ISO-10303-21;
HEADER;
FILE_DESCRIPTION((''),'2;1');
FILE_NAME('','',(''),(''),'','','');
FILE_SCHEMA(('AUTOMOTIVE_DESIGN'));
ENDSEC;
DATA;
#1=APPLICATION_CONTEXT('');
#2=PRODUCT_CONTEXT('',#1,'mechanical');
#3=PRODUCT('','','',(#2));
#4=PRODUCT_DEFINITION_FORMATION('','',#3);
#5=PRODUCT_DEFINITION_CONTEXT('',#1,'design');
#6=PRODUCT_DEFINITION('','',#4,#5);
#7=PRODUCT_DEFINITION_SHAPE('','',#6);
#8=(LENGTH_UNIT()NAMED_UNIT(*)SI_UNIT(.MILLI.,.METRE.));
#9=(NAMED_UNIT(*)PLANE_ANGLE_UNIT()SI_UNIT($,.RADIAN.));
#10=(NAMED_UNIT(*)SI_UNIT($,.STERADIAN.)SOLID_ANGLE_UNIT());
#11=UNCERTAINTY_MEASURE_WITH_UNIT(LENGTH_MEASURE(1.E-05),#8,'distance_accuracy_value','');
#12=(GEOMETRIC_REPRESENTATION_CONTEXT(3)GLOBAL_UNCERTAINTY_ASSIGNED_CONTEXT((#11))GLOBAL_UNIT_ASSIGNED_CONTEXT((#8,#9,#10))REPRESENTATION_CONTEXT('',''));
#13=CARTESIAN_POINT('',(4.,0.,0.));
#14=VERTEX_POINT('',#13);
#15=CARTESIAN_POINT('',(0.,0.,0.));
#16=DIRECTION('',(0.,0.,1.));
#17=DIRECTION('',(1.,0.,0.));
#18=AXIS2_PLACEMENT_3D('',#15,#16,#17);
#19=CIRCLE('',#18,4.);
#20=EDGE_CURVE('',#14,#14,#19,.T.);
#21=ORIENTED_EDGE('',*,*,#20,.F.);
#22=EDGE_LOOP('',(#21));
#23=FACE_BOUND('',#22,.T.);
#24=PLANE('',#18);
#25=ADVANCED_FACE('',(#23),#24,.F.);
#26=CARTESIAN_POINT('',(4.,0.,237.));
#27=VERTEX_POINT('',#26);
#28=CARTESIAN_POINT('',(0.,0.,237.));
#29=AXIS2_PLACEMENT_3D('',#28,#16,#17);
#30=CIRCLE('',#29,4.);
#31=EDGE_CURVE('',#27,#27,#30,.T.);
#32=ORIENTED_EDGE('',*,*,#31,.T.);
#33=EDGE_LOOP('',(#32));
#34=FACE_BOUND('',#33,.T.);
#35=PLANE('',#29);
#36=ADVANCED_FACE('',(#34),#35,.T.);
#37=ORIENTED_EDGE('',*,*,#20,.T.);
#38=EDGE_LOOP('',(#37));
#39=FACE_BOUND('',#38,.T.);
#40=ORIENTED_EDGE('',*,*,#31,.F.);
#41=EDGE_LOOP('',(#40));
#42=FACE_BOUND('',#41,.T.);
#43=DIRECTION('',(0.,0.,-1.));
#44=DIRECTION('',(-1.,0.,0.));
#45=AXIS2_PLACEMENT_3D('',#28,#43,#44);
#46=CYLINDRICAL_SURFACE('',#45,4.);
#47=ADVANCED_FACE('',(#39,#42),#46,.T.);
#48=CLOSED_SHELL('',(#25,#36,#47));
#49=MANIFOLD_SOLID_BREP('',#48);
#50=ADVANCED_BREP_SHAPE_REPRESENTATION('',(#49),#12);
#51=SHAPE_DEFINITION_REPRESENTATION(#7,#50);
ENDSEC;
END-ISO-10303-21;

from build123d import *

# Parameters (mm, degrees)
ESQUISSE1_R        = 4
BOSS_EXTRU_1_DEPTH = 237


with BuildPart() as part:
    # Esquisse1 → Boss.-Extru.1 (new body)
    with BuildSketch(Plane.XY):
        Circle(ESQUISSE1_R)
    extrude(amount=BOSS_EXTRU_1_DEPTH)


solid = part.part
